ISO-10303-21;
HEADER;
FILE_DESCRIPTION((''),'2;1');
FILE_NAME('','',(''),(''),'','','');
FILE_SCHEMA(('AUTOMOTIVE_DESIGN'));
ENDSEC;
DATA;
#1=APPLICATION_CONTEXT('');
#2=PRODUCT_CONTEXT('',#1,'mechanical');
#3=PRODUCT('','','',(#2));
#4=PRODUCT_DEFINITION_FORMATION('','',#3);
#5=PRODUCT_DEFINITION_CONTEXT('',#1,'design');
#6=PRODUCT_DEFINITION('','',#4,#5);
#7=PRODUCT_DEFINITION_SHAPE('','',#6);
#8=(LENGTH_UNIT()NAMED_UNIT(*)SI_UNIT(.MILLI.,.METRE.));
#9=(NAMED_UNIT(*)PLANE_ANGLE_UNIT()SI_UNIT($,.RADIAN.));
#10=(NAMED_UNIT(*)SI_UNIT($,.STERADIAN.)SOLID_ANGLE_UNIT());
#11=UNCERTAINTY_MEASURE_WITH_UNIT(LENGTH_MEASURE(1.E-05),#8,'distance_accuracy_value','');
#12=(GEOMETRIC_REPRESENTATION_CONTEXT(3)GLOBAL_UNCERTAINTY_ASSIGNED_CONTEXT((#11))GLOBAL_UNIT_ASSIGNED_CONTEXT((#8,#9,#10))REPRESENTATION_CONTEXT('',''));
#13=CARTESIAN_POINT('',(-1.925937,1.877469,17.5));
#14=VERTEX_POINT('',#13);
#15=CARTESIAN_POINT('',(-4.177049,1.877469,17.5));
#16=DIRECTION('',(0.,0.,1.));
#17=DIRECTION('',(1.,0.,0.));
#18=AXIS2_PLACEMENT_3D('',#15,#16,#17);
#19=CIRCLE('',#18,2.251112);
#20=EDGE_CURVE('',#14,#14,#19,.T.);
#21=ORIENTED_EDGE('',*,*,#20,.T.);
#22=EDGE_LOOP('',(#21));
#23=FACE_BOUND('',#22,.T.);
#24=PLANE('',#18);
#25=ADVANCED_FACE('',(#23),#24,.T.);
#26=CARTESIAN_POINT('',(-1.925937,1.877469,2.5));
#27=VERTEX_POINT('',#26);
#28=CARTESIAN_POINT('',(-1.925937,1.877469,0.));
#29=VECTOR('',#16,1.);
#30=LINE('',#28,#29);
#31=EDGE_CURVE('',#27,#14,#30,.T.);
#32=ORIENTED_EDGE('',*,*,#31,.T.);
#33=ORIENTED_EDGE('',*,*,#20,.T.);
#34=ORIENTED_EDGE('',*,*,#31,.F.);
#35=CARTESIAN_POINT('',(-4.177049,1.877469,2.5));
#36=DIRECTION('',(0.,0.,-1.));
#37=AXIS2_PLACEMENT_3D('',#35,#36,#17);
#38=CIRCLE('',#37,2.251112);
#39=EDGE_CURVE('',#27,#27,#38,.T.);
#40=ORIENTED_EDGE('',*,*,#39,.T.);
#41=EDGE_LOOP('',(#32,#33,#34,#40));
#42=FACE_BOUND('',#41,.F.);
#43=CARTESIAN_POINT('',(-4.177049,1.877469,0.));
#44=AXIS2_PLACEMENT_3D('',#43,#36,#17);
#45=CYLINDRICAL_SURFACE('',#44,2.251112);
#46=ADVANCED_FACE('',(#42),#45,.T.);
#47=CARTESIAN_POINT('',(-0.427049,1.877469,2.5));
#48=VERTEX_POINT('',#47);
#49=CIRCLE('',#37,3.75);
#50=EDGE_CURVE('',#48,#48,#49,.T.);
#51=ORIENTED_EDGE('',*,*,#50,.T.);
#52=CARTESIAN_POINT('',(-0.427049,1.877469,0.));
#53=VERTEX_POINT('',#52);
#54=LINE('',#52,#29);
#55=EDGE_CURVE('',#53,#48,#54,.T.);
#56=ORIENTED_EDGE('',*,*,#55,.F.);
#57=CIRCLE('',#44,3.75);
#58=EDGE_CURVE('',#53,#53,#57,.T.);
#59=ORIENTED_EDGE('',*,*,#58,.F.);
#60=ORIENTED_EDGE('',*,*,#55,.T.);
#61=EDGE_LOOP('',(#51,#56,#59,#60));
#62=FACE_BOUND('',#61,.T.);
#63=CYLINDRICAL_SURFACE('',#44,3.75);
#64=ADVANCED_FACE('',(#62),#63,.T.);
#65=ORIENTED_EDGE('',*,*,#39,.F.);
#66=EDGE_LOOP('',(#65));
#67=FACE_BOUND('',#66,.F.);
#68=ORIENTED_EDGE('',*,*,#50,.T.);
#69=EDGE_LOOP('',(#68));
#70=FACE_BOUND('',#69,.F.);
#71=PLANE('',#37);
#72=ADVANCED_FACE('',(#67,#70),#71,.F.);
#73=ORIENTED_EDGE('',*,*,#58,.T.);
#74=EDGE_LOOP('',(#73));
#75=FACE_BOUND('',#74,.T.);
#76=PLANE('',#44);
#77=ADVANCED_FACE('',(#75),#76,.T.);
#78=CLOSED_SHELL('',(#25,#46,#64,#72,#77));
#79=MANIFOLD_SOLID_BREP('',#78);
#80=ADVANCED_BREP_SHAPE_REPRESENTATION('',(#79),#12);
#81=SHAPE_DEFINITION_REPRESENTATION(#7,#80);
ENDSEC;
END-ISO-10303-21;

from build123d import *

# Parameters (mm, degrees)
F0_R     = 2.251112
F1_DEPTH = 17.5
F2_R     = 3.75
F3_DEPTH = 2.5


with BuildPart() as f1:
    # F0 (on Top) → F1 (new body)
    with BuildSketch(Plane.XY):
        with Locations((-4.177049, 1.877469)):
            Circle(F0_R)
    extrude(amount=F1_DEPTH)

    # F2 (on face) → F3 (join)
    with BuildSketch(Plane(origin=(0, 0, 0), x_dir=(1, 0, 0), z_dir=(0, 0, -1))):
        with Locations((-4.177049, -1.877469)):
            Circle(F2_R)
    extrude(amount=-F3_DEPTH)


solid = f1.part
